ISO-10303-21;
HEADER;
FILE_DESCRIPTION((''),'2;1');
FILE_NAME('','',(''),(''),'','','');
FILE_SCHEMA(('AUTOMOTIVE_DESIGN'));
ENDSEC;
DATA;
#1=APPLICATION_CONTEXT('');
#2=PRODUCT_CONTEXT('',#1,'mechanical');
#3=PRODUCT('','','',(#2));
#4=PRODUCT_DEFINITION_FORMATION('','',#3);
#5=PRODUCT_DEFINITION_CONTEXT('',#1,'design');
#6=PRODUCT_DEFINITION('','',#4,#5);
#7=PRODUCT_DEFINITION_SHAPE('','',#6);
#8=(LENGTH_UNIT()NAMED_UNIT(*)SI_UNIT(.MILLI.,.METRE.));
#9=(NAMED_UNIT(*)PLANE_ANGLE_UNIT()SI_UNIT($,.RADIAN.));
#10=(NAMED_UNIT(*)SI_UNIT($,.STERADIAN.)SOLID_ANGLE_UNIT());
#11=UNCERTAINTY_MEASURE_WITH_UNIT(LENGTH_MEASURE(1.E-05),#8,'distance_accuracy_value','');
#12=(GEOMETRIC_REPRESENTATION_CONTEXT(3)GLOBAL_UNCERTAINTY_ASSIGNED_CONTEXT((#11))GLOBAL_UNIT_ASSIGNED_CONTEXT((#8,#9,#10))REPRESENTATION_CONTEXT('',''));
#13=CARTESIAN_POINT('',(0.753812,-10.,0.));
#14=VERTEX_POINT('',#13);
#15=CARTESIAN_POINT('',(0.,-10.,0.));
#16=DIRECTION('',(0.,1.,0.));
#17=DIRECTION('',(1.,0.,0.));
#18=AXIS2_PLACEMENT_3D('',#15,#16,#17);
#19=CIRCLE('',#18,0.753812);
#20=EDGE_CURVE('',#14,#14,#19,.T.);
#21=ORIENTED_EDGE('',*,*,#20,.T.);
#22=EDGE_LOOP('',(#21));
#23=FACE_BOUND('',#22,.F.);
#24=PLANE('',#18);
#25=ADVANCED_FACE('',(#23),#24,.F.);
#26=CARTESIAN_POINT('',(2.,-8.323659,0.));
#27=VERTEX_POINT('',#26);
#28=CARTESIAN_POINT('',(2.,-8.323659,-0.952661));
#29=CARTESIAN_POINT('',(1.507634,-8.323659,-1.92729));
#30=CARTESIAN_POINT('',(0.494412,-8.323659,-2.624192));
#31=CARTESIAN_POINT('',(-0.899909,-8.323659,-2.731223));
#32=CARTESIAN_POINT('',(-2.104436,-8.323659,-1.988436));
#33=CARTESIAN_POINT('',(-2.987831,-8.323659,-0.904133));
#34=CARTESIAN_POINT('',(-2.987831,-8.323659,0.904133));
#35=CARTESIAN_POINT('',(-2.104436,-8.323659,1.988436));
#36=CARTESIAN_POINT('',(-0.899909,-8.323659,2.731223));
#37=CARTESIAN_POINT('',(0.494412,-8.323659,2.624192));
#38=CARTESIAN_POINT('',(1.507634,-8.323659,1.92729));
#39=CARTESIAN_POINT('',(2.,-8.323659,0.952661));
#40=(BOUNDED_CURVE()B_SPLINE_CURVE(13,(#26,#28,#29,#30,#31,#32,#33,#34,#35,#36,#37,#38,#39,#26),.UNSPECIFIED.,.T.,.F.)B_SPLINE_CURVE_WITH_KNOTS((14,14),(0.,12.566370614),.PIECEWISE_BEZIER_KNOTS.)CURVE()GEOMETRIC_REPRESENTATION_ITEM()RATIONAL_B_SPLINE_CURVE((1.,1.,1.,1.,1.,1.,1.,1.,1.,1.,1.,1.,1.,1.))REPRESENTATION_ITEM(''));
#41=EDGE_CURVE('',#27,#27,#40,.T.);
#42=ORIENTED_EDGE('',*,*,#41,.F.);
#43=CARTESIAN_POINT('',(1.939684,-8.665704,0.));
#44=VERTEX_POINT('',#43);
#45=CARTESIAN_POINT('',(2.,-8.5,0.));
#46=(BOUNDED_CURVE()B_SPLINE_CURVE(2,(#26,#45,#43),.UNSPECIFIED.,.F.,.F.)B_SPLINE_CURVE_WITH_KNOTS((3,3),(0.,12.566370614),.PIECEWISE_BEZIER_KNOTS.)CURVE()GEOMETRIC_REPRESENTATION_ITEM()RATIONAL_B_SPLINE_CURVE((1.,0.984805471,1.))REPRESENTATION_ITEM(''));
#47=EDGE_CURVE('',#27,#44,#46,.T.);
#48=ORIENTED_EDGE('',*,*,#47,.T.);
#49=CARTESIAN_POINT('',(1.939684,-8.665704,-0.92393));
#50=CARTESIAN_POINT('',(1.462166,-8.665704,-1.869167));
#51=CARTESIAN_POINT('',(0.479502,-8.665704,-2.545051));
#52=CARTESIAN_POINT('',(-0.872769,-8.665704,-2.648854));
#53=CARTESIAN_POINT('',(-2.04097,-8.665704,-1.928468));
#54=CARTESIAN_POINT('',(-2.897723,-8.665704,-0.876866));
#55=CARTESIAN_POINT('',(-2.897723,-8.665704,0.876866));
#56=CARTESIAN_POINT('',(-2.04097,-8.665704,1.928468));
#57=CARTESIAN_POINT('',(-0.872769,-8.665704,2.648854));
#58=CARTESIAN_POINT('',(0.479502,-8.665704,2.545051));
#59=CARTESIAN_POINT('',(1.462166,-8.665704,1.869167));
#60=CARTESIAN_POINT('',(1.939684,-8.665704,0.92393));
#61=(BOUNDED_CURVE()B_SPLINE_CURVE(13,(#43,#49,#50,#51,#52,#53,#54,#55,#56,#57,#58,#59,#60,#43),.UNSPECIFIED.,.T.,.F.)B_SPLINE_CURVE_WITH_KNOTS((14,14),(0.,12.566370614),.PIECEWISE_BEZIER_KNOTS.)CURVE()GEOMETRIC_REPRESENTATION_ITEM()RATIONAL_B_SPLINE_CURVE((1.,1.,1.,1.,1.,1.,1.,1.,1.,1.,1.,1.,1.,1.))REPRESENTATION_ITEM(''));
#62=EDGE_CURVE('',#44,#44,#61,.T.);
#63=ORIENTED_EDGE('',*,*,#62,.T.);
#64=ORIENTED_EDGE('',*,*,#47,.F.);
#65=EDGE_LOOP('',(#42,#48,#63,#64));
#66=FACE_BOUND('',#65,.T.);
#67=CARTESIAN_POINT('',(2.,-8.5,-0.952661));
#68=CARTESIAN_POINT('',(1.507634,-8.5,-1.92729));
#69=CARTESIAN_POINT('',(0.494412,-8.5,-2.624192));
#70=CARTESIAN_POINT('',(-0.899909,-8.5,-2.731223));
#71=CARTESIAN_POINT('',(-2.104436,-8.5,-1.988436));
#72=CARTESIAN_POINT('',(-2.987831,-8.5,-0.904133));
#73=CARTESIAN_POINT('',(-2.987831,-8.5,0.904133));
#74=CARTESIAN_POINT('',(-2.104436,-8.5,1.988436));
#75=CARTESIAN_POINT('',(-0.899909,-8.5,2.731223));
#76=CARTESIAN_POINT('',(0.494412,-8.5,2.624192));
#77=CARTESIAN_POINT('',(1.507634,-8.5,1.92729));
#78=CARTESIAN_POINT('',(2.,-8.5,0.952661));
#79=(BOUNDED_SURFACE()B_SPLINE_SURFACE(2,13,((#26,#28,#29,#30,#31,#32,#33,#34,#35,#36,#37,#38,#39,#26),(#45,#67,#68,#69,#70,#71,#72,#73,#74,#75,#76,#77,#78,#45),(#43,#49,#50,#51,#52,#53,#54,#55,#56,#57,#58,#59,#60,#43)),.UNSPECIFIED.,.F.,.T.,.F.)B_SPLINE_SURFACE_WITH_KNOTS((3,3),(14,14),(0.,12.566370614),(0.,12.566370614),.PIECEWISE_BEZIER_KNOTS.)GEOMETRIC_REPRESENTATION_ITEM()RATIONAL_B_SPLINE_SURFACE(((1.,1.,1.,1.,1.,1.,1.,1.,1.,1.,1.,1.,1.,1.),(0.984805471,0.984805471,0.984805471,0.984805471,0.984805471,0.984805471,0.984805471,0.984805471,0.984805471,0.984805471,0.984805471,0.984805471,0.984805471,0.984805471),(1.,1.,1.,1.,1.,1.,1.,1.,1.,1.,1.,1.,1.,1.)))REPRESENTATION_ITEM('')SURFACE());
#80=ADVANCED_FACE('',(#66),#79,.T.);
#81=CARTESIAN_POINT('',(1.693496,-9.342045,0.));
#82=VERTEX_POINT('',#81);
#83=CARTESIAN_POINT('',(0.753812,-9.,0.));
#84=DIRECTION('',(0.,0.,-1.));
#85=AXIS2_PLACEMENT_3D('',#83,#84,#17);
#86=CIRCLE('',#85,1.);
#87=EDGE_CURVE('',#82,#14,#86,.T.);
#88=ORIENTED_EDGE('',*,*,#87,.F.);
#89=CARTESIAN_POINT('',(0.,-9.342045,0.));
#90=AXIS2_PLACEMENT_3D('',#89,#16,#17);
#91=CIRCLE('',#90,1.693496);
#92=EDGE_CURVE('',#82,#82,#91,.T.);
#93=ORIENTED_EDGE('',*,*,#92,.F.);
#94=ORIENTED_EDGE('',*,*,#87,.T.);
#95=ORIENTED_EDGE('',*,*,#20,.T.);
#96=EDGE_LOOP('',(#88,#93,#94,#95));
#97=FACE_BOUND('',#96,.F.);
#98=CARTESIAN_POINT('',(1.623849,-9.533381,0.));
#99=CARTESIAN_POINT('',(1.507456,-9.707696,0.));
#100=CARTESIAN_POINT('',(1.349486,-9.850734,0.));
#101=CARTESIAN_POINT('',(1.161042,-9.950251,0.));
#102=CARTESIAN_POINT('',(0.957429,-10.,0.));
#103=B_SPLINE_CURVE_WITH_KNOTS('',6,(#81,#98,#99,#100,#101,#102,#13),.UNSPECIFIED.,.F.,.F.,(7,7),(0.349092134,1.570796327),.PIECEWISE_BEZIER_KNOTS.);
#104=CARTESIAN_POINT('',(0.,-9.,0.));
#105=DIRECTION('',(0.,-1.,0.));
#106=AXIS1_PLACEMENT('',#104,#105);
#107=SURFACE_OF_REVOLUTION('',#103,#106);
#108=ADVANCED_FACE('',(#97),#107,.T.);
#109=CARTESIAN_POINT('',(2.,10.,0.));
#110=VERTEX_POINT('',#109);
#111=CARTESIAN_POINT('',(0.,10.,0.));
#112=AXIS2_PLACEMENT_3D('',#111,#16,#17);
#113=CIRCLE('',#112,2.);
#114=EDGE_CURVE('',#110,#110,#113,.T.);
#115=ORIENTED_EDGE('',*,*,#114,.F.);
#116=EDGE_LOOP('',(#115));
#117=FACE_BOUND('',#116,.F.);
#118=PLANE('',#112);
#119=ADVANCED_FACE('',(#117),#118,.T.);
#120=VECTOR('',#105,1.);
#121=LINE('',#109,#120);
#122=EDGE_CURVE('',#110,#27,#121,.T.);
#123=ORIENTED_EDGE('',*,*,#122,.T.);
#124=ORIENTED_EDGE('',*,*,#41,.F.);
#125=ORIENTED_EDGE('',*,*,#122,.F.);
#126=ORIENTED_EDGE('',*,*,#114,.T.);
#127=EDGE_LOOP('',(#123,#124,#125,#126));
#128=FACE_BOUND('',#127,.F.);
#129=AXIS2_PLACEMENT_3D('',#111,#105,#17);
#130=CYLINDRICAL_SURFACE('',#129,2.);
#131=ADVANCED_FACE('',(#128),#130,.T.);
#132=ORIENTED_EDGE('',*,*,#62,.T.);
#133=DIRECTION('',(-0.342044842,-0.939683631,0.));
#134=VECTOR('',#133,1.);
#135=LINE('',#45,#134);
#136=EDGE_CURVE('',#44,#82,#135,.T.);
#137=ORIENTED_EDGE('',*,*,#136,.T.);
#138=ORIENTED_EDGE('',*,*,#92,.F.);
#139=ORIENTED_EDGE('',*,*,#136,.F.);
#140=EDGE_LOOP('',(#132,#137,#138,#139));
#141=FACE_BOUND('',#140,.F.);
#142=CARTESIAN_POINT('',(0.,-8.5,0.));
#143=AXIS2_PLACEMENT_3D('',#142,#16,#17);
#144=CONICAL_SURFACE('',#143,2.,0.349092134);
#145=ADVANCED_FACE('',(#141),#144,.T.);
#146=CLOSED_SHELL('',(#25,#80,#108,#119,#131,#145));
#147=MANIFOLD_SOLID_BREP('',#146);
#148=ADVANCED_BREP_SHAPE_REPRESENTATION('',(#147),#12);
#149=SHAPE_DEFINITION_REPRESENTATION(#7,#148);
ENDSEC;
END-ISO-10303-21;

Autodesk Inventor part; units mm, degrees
ref_plane "YZ Plane" through (0, 0, 0) normal (1, 0, 0) x (0, 1, 0)
ref_plane "XZ Plane" through (0, 0, 0) normal (0, 1, 0) x (-1, 0, 0)
ref_plane "XY Plane" through (0, 0, 0) normal (0, 0, 1) x (1, 0, 0)
sketch "Sketch1" plane through (0, 0, 0) normal (0, 0, 1) x (1, 0, 0)
  line L0 (2, 10) -> (2, -8.5)
  line L1 (2, -8.5) -> (1.454, -10)
  line L2 (1.454, -10) -> (0, -10)
  line L3 (0, -10) -> (0, 10)
  line L4 (0, 10) -> (2, 10)
  point P0 (0, 0)
  point P1 (0, 0)
  dimension "d0" = 4
  dimension "d1" = 20
  dimension "d2" = 160
  dimension "d3" = 1.5
revolve "Revolution1" add sketch "Sketch1" angle 360 about axis through (0, -10, 0) along (0, 1, 0)
fillet "Fillet1" radius 1 2 edges at (-1.454, -10, 0) (-2, -8.5, 0)
properties part number "M4_dowel_pin"
